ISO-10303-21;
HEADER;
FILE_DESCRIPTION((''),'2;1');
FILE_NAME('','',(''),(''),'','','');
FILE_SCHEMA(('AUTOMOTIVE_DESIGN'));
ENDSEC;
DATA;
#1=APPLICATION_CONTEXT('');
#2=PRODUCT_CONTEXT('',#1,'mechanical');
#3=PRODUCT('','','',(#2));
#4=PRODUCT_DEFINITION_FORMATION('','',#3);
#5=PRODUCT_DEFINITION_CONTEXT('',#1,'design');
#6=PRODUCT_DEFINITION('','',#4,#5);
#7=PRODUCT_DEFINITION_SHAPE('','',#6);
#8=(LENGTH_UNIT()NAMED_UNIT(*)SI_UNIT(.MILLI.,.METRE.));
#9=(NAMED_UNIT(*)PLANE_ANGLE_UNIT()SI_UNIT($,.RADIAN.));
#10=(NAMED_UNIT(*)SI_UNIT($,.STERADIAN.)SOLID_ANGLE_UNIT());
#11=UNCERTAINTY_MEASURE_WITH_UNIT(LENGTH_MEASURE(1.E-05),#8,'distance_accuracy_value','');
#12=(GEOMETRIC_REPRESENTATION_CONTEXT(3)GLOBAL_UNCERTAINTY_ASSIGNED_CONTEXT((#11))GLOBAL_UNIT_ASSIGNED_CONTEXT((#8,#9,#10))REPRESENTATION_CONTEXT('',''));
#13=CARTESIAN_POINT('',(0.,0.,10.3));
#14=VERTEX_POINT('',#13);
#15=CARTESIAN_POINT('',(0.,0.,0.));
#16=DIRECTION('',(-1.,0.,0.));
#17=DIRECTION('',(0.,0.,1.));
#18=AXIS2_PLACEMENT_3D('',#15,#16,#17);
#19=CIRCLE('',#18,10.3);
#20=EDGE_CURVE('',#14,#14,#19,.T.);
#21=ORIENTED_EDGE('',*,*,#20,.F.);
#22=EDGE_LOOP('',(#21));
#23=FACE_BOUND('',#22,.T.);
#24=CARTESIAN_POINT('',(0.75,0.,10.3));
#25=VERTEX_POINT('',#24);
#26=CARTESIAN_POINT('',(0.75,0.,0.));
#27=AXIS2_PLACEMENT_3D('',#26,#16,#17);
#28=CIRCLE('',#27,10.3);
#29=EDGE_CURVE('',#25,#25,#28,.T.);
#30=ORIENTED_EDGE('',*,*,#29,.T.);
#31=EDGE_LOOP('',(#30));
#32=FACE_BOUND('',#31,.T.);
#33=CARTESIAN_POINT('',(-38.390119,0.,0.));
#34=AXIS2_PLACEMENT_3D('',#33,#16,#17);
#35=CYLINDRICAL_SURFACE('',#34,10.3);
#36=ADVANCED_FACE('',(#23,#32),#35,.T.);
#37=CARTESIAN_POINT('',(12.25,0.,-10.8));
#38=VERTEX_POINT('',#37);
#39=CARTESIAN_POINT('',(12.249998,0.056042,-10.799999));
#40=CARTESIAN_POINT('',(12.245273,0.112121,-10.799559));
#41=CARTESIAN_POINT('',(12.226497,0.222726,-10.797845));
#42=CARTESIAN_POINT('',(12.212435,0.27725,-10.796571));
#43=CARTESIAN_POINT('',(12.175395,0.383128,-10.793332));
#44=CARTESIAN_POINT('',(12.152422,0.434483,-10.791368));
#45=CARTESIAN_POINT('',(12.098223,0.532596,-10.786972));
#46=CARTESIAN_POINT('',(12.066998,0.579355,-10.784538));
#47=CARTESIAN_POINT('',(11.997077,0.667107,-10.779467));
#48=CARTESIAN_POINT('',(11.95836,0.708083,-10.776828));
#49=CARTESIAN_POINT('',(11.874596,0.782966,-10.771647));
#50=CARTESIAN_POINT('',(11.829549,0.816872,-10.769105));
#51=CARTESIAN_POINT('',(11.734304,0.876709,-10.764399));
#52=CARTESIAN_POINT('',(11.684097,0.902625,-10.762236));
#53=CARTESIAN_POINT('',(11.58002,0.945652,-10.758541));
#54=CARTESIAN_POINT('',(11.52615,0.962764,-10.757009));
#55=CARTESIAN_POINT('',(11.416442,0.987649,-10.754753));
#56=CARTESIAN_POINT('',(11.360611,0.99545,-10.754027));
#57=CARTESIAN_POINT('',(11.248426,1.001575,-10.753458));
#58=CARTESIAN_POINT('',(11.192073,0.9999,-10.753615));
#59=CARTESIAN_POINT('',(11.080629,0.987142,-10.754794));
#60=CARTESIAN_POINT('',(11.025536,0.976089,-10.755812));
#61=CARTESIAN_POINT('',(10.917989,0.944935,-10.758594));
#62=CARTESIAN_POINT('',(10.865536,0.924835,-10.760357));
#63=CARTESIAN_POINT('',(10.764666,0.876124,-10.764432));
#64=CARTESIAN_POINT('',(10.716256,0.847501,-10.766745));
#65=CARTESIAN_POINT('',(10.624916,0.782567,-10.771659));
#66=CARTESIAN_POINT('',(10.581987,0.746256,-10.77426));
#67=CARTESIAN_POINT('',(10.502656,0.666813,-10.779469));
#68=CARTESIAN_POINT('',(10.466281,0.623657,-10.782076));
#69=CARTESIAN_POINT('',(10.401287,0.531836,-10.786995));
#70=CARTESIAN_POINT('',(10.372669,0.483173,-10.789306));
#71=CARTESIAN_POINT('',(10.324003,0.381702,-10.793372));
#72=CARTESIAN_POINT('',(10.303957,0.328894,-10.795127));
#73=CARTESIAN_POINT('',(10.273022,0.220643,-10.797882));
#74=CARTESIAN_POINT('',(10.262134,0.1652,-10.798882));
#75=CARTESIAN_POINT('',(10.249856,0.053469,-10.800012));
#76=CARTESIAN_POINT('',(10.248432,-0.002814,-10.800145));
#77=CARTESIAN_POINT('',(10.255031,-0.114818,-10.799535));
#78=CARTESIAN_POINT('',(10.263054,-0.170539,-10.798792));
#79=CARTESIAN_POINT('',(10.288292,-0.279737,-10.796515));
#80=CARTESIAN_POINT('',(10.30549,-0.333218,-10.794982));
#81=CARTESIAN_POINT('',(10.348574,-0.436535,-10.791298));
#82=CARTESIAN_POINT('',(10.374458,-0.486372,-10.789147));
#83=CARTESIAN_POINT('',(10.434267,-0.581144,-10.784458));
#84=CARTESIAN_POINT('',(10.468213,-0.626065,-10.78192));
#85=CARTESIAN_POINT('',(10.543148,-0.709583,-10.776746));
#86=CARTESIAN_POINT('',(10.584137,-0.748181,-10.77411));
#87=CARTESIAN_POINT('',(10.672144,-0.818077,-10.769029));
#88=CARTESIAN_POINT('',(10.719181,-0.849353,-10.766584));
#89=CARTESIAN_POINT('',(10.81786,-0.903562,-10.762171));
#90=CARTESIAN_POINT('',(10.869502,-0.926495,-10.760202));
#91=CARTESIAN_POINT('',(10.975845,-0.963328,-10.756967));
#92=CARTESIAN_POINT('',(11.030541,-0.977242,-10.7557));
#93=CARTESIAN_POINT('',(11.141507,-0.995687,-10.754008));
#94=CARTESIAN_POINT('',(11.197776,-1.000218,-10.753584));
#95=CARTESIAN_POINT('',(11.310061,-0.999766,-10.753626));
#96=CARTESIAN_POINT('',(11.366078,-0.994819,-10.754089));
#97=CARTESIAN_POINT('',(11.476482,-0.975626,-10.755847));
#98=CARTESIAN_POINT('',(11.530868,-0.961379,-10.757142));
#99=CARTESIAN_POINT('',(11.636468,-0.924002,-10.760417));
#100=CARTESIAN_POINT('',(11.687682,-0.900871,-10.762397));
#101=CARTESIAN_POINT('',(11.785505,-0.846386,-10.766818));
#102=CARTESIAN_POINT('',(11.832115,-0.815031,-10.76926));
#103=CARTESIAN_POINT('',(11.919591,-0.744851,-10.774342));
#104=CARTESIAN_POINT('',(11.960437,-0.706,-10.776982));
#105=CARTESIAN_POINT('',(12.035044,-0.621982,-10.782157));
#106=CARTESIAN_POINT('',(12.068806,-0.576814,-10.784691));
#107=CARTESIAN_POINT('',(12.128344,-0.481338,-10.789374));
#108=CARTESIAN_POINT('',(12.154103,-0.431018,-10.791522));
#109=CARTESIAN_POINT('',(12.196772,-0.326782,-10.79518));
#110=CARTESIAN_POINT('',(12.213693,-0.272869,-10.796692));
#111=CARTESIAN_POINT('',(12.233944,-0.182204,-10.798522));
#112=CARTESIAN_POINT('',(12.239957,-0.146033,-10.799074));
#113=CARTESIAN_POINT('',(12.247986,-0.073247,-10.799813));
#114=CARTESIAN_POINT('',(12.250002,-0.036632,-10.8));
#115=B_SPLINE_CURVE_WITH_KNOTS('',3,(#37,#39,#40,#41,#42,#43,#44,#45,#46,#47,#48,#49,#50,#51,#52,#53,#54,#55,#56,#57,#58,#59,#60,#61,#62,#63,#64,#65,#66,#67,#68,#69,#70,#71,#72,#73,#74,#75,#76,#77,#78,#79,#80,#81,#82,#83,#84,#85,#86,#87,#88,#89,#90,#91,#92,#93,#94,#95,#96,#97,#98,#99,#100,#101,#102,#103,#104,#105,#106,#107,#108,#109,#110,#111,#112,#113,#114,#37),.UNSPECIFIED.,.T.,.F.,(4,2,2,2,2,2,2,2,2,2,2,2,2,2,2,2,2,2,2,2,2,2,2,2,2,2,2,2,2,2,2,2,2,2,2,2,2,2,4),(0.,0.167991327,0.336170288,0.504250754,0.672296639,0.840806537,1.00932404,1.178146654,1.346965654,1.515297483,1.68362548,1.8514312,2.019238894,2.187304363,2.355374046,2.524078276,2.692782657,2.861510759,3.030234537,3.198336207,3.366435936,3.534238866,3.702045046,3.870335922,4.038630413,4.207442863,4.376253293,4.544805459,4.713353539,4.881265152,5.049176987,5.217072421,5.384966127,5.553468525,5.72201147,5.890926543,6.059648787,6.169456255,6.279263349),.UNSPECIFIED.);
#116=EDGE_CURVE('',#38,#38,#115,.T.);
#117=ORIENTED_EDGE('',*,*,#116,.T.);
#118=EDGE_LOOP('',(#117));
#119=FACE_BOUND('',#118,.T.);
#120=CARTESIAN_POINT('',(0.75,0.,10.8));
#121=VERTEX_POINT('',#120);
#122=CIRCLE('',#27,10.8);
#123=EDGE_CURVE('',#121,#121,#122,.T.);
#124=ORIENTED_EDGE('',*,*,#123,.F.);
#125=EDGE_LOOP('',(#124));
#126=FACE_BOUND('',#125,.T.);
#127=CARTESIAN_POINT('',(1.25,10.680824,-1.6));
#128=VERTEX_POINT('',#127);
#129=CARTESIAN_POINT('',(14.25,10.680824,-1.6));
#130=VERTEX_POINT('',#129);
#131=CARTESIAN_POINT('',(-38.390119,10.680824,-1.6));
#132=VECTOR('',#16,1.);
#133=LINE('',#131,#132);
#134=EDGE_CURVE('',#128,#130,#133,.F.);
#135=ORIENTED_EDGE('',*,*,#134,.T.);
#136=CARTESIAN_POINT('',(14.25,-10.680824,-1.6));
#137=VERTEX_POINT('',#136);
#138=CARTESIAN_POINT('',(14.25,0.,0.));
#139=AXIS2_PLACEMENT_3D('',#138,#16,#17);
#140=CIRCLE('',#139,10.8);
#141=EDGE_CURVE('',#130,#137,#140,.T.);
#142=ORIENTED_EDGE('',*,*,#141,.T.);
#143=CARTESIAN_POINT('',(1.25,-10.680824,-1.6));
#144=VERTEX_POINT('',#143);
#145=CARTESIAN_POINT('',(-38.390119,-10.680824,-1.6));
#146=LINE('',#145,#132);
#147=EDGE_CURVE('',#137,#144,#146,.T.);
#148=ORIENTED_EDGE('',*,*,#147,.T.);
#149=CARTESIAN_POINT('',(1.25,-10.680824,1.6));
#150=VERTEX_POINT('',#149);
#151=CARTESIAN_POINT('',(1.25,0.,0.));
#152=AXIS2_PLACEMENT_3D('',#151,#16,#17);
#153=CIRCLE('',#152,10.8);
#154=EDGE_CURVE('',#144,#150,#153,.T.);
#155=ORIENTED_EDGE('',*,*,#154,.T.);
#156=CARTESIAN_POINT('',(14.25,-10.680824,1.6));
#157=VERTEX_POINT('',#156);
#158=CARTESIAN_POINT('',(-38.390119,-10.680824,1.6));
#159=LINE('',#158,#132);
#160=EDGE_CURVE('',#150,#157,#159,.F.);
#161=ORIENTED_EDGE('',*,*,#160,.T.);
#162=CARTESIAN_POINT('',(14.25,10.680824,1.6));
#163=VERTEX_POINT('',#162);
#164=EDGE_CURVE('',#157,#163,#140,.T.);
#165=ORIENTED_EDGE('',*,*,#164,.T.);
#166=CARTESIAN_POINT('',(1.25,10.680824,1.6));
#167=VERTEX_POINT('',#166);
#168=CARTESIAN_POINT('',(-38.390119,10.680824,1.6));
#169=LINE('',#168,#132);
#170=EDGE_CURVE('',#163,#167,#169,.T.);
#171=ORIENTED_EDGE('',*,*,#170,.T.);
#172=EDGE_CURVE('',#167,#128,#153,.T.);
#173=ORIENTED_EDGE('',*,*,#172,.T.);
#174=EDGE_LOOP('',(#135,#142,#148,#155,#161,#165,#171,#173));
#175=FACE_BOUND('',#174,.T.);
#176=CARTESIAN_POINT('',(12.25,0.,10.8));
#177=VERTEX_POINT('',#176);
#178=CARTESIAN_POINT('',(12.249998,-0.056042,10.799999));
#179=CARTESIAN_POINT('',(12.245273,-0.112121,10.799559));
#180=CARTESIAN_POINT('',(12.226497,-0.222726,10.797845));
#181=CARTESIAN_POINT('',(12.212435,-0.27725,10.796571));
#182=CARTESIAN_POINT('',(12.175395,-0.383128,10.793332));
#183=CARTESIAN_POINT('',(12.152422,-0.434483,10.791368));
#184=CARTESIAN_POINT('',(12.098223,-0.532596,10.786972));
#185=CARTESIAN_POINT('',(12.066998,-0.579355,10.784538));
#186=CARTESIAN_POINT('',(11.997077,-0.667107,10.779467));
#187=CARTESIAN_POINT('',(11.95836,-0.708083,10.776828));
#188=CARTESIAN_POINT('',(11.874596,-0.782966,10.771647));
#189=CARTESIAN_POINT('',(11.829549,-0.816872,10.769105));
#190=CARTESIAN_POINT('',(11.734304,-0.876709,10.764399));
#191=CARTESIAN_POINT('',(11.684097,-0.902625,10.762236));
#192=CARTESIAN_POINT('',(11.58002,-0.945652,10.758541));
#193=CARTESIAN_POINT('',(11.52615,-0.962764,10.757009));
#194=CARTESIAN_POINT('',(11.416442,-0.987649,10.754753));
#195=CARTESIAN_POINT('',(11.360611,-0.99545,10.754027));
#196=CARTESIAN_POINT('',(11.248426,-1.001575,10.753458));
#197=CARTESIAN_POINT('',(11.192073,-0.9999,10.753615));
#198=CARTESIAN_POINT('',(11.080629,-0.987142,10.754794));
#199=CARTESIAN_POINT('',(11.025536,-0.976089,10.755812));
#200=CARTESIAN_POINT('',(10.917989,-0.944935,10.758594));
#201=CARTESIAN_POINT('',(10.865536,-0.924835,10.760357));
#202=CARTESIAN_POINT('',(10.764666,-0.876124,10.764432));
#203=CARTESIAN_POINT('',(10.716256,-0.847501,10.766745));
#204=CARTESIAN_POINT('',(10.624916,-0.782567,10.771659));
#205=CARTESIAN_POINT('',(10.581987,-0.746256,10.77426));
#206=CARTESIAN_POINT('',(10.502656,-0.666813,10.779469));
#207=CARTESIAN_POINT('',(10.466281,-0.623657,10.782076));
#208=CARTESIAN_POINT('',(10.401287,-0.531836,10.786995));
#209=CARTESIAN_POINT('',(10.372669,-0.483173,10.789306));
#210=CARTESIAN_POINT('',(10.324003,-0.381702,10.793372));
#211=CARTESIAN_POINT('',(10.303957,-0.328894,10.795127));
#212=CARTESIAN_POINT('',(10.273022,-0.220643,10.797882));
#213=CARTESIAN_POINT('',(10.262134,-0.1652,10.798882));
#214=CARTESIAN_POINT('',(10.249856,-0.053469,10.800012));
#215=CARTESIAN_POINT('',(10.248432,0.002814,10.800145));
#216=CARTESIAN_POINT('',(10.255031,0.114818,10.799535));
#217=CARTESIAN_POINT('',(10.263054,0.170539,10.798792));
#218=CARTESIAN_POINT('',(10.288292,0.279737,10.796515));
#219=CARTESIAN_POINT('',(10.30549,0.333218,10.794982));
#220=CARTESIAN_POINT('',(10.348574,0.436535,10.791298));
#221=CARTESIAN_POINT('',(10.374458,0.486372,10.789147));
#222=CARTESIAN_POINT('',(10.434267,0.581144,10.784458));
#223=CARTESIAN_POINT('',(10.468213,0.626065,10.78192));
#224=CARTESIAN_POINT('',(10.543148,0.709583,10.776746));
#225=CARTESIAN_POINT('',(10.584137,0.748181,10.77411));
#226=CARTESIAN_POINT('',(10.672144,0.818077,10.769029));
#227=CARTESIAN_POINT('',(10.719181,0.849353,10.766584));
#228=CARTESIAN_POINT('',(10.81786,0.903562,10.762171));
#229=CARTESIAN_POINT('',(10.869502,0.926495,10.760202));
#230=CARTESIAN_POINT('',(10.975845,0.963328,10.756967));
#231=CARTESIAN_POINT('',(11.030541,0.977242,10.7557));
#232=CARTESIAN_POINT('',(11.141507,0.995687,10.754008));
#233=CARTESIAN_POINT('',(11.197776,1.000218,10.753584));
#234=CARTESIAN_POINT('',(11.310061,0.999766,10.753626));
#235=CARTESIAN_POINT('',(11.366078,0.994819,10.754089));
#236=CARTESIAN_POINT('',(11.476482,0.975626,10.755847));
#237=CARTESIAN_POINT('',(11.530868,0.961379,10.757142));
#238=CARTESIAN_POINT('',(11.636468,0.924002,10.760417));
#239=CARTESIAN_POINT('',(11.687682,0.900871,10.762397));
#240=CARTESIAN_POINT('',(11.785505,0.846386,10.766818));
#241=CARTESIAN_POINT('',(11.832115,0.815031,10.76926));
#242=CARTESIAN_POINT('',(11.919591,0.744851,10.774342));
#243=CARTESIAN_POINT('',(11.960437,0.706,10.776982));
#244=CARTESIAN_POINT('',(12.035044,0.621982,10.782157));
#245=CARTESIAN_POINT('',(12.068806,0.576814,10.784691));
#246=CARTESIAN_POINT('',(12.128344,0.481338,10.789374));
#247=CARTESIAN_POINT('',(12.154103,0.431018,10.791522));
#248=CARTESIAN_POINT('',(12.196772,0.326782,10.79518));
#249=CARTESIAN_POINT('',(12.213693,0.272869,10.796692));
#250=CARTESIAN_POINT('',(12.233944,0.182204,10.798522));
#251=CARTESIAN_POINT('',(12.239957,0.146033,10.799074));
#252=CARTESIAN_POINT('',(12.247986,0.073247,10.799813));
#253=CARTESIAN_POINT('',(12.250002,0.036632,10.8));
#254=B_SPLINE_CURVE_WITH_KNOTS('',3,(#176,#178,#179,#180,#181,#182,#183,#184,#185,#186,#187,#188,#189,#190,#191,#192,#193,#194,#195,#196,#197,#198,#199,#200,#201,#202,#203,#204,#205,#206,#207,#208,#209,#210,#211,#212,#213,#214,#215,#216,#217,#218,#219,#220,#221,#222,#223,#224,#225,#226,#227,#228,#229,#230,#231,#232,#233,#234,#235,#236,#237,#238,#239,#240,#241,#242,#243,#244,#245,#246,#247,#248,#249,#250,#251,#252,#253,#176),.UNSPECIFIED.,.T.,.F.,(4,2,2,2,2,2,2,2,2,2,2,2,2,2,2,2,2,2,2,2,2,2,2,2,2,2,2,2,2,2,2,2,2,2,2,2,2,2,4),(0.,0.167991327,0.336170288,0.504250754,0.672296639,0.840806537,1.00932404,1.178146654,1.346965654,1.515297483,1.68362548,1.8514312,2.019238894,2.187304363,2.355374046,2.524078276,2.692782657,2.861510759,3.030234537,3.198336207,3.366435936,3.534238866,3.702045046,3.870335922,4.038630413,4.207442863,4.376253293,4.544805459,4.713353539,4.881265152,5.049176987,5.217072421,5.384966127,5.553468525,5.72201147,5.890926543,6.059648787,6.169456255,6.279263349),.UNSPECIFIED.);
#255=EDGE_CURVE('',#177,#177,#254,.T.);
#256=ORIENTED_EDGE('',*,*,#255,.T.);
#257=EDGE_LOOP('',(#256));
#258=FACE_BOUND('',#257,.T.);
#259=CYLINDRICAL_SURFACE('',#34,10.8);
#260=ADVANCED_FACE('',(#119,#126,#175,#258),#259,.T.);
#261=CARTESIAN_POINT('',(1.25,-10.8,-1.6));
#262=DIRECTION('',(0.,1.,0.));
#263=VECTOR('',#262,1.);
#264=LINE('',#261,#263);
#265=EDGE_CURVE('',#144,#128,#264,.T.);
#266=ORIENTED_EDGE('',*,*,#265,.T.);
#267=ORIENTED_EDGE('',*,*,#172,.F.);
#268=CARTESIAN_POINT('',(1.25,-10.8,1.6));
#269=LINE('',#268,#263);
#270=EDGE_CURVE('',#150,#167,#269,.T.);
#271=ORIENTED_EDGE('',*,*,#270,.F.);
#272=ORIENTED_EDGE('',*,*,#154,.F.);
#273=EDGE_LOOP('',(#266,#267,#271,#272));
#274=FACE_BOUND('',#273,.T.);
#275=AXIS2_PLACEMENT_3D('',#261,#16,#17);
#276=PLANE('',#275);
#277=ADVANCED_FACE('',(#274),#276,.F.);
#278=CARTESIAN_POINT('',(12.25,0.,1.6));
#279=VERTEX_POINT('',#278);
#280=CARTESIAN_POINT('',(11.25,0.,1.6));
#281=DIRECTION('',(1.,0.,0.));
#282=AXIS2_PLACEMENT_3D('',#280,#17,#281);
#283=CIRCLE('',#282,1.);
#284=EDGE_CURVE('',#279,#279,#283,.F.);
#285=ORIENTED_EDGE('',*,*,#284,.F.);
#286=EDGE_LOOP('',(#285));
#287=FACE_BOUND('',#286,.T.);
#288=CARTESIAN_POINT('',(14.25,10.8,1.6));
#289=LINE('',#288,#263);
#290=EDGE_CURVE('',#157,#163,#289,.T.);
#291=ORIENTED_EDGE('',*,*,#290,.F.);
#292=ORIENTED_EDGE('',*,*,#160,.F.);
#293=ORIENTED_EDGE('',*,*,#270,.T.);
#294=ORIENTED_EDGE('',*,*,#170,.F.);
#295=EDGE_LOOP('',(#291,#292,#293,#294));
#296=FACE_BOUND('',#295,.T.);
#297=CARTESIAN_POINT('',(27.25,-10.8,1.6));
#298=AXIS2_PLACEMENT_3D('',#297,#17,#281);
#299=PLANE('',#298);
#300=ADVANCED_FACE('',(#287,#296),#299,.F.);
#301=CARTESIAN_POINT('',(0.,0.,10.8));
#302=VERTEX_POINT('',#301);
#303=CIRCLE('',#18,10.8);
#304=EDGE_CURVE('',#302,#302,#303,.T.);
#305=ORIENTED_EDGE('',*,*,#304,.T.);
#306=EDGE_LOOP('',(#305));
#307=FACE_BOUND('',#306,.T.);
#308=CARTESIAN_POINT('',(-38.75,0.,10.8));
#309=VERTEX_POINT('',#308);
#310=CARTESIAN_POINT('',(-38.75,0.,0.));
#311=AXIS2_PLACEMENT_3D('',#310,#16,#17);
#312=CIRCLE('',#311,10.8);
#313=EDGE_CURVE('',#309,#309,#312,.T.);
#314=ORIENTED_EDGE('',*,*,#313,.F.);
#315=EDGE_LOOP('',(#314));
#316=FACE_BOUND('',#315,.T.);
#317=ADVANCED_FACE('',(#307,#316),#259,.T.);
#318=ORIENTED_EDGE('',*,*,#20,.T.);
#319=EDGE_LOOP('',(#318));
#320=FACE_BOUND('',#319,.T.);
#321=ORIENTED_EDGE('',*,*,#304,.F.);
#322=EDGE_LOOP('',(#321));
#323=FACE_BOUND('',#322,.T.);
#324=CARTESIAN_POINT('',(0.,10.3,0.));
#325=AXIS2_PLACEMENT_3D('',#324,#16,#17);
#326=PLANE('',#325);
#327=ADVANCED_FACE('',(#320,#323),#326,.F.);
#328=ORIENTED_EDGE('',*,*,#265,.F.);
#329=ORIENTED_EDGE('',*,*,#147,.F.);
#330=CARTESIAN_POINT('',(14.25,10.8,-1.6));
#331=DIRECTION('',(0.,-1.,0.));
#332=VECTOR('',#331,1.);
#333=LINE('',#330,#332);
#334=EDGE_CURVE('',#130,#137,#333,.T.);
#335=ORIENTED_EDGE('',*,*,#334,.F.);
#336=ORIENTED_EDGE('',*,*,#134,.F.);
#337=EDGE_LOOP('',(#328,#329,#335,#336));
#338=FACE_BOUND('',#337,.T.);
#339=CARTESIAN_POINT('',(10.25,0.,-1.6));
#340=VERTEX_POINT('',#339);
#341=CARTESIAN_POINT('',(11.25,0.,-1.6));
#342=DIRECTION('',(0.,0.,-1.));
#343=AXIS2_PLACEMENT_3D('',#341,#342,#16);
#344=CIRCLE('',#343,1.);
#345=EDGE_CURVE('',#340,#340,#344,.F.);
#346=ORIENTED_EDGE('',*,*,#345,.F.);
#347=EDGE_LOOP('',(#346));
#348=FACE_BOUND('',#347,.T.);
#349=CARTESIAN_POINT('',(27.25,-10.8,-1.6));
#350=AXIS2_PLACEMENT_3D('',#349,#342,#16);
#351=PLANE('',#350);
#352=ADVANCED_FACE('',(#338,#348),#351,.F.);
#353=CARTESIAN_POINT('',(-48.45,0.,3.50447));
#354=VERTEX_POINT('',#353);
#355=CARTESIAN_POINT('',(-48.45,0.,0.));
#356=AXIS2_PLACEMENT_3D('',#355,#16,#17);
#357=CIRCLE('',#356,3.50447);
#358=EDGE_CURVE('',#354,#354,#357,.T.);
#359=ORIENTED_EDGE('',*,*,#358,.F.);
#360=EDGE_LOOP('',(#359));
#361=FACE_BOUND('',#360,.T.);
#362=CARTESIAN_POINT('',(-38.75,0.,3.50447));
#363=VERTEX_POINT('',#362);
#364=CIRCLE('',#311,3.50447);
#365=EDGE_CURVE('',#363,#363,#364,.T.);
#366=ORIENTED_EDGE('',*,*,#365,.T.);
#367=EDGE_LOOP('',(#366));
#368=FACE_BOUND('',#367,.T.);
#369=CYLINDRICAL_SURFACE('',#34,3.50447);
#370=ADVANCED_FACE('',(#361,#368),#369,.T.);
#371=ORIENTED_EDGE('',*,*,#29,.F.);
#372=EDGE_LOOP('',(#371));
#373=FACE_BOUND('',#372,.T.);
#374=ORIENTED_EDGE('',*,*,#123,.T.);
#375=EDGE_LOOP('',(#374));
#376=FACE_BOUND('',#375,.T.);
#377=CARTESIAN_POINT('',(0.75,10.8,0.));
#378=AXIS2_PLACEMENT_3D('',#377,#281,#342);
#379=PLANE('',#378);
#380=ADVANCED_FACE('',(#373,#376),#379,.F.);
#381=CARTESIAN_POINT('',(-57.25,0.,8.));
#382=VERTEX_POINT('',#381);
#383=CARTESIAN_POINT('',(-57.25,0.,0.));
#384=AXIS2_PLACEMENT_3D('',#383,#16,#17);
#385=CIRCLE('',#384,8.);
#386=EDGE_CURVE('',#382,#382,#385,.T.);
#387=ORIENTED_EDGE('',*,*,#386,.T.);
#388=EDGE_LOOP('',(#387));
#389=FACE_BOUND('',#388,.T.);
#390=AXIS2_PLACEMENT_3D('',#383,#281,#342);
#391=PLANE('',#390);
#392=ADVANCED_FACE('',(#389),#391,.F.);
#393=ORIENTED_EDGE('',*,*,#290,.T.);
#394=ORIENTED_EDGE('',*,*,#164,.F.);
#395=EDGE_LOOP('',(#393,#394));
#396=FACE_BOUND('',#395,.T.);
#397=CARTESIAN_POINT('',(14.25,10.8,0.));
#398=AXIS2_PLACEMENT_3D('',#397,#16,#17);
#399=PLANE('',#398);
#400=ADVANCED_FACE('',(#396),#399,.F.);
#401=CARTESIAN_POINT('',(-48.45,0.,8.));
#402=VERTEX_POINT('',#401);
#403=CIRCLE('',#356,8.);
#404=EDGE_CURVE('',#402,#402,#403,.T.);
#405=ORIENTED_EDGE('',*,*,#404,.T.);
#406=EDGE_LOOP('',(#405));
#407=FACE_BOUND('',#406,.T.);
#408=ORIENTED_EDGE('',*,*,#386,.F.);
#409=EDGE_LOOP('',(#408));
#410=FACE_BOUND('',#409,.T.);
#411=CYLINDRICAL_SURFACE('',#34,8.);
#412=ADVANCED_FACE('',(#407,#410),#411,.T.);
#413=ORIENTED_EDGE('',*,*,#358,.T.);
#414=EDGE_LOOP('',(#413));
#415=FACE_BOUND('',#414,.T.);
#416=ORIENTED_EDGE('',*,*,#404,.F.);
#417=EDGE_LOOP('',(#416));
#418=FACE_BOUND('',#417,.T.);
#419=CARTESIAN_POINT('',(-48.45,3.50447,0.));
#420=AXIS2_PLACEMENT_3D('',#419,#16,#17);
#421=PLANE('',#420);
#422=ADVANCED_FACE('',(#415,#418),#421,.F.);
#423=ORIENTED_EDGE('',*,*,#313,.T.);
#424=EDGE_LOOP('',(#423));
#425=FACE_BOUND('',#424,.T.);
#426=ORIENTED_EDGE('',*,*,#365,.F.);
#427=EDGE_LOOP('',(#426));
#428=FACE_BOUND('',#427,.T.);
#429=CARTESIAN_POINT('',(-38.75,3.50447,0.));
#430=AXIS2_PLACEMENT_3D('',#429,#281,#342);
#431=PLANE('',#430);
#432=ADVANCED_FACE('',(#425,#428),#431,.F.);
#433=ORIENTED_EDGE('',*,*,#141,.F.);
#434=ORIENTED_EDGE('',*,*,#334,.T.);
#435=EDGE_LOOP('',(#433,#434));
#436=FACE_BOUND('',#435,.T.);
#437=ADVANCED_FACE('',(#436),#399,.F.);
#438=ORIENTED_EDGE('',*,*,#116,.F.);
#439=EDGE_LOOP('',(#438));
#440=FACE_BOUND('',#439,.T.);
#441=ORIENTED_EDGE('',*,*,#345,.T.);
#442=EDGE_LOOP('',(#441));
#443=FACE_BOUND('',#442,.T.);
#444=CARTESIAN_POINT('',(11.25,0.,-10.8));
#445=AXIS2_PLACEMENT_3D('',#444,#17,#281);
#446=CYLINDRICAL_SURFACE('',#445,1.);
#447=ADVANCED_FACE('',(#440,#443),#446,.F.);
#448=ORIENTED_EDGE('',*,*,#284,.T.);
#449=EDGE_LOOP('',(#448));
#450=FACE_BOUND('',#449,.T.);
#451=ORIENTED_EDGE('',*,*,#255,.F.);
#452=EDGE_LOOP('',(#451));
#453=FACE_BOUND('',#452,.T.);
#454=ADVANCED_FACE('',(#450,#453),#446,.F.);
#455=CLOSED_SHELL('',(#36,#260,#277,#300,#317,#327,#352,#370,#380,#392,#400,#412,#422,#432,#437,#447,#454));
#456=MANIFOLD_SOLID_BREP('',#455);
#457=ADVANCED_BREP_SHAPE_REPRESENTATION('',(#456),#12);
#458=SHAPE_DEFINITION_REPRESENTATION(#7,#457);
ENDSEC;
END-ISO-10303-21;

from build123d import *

# Parameters (mm, degrees)
CUT_EXTRUDE1_DEPTH      = 60.252362822
CUT_EXTRUDE1_DEPTH_BACK = 60.252362822
SKETCH2_R               = 1
CUT_EXTRUDE2_DEPTH      = 60.252362859
CUT_EXTRUDE2_DEPTH_BACK = 60.252362859
SKETCH3_W               = 26
SKETCH3_H               = 3.2


with BuildPart() as part:
    # Sketch1 → Revolve1 (revolve)
    with BuildSketch(Plane.XY, mode=Mode.PRIVATE) as revolve1_sk:
        Polygon((-57.25, 0), (-57.25, 8), (-57.042201581, 8), (-48.45, 8), (-48.45, 5.8595471), (-48.45, 3.504470165), (-38.75, 3.504470165), (-38.75, 10.8), (-33.89, 10.8), (0, 10.8), (0, 10.3), (0.75, 10.3), (0.75, 10.8), (14.25, 10.8), (14.25, 0), align=None)
    revolve(revolve1_sk.sketch.rotate(Axis((-38.390119341, 0, 0), (1, 0, 0)), 90), axis=Axis((-38.390119341, 0, 0), (1, 0, 0)))

    # Sketch2 → Cut-Extrude1 (cut, two sides: drawn at the far end of the back side and taken through both)
    with BuildSketch(Plane.XY.offset(-CUT_EXTRUDE1_DEPTH_BACK)):
        with Locations((11.25, 0)):
            Circle(SKETCH2_R)
    extrude(amount=CUT_EXTRUDE1_DEPTH + CUT_EXTRUDE1_DEPTH_BACK, mode=Mode.SUBTRACT)

    # Sketch3 → Cut-Extrude2 (cut, two sides: drawn at the far end of the back side and taken through both)
    with BuildSketch(Plane(origin=(0, 0, 0), x_dir=(1, 0, 0), z_dir=(0, 1, 0)).offset(-CUT_EXTRUDE2_DEPTH_BACK)):
        with Locations((14.25, 0)):
            Rectangle(SKETCH3_W, SKETCH3_H)
    extrude(amount=CUT_EXTRUDE2_DEPTH + CUT_EXTRUDE2_DEPTH_BACK, mode=Mode.SUBTRACT)


solid = part.part
